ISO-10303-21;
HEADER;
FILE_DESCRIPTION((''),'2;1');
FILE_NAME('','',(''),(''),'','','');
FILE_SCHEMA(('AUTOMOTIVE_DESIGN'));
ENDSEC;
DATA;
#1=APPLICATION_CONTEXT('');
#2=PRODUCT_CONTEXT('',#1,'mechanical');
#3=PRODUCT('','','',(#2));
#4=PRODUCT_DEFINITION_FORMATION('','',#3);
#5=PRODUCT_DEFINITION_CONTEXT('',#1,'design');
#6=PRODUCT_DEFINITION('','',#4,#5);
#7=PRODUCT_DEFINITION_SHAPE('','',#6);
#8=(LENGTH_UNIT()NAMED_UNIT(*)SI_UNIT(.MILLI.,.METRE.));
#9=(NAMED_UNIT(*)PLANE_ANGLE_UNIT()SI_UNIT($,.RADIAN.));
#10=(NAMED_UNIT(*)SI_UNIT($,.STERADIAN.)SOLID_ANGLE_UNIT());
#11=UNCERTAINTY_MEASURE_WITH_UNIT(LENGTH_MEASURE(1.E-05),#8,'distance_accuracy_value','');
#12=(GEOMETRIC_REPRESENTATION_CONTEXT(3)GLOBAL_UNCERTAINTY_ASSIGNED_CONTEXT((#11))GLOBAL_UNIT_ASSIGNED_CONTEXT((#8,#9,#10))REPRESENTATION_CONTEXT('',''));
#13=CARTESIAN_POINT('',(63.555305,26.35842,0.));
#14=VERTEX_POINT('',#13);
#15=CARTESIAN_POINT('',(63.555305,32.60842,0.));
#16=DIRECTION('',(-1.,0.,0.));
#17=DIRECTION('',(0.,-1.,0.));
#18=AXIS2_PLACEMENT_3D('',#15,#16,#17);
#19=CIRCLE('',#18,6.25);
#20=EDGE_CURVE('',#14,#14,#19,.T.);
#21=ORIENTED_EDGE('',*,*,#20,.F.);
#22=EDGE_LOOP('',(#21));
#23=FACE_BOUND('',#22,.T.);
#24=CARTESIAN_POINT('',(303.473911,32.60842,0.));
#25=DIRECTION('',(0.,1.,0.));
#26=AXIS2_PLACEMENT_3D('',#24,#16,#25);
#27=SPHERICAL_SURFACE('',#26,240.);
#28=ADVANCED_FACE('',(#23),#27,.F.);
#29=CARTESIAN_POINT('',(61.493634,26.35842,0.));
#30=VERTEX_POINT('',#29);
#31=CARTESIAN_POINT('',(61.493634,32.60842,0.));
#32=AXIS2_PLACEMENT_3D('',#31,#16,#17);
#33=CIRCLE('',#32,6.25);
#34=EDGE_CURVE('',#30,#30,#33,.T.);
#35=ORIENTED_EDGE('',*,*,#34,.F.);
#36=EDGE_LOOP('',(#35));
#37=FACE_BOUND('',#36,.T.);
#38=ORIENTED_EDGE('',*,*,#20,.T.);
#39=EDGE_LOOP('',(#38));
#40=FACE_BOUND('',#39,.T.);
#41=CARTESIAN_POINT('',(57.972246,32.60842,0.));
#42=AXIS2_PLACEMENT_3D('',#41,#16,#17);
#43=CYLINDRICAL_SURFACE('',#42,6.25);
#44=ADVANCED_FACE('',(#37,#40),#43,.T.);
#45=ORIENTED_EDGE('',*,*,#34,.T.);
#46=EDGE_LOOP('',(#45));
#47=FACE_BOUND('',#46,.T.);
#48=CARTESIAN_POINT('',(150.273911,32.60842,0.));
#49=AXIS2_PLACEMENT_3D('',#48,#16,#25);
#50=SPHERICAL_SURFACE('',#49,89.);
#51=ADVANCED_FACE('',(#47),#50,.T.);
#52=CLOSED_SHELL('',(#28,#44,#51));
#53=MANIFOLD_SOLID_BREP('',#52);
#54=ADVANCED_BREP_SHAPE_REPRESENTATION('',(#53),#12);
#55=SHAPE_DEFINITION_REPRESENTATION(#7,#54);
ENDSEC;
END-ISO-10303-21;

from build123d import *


with BuildPart() as part:
    # 草图1 → 旋转1 (revolve)
    with BuildSketch(Plane.XY):
        with BuildLine():
            Line((61.493634096, 38.858420235), (63.555304632, 38.858420235))
            ThreePointArc((63.555304632, 38.858420235), (63.494259987, 35.733685224), (63.473910621, 32.608420235))
            Line((63.473910621, 32.608420235), (61.273910621, 32.608420235))
            ThreePointArc((61.273910621, 32.608420235), (61.328858452, 35.735350775), (61.493634096, 38.858420235))
        make_face()
    revolve(axis=Axis((57.972245649, 32.608420235, 0), (1, 0, 0)))


solid = part.part
